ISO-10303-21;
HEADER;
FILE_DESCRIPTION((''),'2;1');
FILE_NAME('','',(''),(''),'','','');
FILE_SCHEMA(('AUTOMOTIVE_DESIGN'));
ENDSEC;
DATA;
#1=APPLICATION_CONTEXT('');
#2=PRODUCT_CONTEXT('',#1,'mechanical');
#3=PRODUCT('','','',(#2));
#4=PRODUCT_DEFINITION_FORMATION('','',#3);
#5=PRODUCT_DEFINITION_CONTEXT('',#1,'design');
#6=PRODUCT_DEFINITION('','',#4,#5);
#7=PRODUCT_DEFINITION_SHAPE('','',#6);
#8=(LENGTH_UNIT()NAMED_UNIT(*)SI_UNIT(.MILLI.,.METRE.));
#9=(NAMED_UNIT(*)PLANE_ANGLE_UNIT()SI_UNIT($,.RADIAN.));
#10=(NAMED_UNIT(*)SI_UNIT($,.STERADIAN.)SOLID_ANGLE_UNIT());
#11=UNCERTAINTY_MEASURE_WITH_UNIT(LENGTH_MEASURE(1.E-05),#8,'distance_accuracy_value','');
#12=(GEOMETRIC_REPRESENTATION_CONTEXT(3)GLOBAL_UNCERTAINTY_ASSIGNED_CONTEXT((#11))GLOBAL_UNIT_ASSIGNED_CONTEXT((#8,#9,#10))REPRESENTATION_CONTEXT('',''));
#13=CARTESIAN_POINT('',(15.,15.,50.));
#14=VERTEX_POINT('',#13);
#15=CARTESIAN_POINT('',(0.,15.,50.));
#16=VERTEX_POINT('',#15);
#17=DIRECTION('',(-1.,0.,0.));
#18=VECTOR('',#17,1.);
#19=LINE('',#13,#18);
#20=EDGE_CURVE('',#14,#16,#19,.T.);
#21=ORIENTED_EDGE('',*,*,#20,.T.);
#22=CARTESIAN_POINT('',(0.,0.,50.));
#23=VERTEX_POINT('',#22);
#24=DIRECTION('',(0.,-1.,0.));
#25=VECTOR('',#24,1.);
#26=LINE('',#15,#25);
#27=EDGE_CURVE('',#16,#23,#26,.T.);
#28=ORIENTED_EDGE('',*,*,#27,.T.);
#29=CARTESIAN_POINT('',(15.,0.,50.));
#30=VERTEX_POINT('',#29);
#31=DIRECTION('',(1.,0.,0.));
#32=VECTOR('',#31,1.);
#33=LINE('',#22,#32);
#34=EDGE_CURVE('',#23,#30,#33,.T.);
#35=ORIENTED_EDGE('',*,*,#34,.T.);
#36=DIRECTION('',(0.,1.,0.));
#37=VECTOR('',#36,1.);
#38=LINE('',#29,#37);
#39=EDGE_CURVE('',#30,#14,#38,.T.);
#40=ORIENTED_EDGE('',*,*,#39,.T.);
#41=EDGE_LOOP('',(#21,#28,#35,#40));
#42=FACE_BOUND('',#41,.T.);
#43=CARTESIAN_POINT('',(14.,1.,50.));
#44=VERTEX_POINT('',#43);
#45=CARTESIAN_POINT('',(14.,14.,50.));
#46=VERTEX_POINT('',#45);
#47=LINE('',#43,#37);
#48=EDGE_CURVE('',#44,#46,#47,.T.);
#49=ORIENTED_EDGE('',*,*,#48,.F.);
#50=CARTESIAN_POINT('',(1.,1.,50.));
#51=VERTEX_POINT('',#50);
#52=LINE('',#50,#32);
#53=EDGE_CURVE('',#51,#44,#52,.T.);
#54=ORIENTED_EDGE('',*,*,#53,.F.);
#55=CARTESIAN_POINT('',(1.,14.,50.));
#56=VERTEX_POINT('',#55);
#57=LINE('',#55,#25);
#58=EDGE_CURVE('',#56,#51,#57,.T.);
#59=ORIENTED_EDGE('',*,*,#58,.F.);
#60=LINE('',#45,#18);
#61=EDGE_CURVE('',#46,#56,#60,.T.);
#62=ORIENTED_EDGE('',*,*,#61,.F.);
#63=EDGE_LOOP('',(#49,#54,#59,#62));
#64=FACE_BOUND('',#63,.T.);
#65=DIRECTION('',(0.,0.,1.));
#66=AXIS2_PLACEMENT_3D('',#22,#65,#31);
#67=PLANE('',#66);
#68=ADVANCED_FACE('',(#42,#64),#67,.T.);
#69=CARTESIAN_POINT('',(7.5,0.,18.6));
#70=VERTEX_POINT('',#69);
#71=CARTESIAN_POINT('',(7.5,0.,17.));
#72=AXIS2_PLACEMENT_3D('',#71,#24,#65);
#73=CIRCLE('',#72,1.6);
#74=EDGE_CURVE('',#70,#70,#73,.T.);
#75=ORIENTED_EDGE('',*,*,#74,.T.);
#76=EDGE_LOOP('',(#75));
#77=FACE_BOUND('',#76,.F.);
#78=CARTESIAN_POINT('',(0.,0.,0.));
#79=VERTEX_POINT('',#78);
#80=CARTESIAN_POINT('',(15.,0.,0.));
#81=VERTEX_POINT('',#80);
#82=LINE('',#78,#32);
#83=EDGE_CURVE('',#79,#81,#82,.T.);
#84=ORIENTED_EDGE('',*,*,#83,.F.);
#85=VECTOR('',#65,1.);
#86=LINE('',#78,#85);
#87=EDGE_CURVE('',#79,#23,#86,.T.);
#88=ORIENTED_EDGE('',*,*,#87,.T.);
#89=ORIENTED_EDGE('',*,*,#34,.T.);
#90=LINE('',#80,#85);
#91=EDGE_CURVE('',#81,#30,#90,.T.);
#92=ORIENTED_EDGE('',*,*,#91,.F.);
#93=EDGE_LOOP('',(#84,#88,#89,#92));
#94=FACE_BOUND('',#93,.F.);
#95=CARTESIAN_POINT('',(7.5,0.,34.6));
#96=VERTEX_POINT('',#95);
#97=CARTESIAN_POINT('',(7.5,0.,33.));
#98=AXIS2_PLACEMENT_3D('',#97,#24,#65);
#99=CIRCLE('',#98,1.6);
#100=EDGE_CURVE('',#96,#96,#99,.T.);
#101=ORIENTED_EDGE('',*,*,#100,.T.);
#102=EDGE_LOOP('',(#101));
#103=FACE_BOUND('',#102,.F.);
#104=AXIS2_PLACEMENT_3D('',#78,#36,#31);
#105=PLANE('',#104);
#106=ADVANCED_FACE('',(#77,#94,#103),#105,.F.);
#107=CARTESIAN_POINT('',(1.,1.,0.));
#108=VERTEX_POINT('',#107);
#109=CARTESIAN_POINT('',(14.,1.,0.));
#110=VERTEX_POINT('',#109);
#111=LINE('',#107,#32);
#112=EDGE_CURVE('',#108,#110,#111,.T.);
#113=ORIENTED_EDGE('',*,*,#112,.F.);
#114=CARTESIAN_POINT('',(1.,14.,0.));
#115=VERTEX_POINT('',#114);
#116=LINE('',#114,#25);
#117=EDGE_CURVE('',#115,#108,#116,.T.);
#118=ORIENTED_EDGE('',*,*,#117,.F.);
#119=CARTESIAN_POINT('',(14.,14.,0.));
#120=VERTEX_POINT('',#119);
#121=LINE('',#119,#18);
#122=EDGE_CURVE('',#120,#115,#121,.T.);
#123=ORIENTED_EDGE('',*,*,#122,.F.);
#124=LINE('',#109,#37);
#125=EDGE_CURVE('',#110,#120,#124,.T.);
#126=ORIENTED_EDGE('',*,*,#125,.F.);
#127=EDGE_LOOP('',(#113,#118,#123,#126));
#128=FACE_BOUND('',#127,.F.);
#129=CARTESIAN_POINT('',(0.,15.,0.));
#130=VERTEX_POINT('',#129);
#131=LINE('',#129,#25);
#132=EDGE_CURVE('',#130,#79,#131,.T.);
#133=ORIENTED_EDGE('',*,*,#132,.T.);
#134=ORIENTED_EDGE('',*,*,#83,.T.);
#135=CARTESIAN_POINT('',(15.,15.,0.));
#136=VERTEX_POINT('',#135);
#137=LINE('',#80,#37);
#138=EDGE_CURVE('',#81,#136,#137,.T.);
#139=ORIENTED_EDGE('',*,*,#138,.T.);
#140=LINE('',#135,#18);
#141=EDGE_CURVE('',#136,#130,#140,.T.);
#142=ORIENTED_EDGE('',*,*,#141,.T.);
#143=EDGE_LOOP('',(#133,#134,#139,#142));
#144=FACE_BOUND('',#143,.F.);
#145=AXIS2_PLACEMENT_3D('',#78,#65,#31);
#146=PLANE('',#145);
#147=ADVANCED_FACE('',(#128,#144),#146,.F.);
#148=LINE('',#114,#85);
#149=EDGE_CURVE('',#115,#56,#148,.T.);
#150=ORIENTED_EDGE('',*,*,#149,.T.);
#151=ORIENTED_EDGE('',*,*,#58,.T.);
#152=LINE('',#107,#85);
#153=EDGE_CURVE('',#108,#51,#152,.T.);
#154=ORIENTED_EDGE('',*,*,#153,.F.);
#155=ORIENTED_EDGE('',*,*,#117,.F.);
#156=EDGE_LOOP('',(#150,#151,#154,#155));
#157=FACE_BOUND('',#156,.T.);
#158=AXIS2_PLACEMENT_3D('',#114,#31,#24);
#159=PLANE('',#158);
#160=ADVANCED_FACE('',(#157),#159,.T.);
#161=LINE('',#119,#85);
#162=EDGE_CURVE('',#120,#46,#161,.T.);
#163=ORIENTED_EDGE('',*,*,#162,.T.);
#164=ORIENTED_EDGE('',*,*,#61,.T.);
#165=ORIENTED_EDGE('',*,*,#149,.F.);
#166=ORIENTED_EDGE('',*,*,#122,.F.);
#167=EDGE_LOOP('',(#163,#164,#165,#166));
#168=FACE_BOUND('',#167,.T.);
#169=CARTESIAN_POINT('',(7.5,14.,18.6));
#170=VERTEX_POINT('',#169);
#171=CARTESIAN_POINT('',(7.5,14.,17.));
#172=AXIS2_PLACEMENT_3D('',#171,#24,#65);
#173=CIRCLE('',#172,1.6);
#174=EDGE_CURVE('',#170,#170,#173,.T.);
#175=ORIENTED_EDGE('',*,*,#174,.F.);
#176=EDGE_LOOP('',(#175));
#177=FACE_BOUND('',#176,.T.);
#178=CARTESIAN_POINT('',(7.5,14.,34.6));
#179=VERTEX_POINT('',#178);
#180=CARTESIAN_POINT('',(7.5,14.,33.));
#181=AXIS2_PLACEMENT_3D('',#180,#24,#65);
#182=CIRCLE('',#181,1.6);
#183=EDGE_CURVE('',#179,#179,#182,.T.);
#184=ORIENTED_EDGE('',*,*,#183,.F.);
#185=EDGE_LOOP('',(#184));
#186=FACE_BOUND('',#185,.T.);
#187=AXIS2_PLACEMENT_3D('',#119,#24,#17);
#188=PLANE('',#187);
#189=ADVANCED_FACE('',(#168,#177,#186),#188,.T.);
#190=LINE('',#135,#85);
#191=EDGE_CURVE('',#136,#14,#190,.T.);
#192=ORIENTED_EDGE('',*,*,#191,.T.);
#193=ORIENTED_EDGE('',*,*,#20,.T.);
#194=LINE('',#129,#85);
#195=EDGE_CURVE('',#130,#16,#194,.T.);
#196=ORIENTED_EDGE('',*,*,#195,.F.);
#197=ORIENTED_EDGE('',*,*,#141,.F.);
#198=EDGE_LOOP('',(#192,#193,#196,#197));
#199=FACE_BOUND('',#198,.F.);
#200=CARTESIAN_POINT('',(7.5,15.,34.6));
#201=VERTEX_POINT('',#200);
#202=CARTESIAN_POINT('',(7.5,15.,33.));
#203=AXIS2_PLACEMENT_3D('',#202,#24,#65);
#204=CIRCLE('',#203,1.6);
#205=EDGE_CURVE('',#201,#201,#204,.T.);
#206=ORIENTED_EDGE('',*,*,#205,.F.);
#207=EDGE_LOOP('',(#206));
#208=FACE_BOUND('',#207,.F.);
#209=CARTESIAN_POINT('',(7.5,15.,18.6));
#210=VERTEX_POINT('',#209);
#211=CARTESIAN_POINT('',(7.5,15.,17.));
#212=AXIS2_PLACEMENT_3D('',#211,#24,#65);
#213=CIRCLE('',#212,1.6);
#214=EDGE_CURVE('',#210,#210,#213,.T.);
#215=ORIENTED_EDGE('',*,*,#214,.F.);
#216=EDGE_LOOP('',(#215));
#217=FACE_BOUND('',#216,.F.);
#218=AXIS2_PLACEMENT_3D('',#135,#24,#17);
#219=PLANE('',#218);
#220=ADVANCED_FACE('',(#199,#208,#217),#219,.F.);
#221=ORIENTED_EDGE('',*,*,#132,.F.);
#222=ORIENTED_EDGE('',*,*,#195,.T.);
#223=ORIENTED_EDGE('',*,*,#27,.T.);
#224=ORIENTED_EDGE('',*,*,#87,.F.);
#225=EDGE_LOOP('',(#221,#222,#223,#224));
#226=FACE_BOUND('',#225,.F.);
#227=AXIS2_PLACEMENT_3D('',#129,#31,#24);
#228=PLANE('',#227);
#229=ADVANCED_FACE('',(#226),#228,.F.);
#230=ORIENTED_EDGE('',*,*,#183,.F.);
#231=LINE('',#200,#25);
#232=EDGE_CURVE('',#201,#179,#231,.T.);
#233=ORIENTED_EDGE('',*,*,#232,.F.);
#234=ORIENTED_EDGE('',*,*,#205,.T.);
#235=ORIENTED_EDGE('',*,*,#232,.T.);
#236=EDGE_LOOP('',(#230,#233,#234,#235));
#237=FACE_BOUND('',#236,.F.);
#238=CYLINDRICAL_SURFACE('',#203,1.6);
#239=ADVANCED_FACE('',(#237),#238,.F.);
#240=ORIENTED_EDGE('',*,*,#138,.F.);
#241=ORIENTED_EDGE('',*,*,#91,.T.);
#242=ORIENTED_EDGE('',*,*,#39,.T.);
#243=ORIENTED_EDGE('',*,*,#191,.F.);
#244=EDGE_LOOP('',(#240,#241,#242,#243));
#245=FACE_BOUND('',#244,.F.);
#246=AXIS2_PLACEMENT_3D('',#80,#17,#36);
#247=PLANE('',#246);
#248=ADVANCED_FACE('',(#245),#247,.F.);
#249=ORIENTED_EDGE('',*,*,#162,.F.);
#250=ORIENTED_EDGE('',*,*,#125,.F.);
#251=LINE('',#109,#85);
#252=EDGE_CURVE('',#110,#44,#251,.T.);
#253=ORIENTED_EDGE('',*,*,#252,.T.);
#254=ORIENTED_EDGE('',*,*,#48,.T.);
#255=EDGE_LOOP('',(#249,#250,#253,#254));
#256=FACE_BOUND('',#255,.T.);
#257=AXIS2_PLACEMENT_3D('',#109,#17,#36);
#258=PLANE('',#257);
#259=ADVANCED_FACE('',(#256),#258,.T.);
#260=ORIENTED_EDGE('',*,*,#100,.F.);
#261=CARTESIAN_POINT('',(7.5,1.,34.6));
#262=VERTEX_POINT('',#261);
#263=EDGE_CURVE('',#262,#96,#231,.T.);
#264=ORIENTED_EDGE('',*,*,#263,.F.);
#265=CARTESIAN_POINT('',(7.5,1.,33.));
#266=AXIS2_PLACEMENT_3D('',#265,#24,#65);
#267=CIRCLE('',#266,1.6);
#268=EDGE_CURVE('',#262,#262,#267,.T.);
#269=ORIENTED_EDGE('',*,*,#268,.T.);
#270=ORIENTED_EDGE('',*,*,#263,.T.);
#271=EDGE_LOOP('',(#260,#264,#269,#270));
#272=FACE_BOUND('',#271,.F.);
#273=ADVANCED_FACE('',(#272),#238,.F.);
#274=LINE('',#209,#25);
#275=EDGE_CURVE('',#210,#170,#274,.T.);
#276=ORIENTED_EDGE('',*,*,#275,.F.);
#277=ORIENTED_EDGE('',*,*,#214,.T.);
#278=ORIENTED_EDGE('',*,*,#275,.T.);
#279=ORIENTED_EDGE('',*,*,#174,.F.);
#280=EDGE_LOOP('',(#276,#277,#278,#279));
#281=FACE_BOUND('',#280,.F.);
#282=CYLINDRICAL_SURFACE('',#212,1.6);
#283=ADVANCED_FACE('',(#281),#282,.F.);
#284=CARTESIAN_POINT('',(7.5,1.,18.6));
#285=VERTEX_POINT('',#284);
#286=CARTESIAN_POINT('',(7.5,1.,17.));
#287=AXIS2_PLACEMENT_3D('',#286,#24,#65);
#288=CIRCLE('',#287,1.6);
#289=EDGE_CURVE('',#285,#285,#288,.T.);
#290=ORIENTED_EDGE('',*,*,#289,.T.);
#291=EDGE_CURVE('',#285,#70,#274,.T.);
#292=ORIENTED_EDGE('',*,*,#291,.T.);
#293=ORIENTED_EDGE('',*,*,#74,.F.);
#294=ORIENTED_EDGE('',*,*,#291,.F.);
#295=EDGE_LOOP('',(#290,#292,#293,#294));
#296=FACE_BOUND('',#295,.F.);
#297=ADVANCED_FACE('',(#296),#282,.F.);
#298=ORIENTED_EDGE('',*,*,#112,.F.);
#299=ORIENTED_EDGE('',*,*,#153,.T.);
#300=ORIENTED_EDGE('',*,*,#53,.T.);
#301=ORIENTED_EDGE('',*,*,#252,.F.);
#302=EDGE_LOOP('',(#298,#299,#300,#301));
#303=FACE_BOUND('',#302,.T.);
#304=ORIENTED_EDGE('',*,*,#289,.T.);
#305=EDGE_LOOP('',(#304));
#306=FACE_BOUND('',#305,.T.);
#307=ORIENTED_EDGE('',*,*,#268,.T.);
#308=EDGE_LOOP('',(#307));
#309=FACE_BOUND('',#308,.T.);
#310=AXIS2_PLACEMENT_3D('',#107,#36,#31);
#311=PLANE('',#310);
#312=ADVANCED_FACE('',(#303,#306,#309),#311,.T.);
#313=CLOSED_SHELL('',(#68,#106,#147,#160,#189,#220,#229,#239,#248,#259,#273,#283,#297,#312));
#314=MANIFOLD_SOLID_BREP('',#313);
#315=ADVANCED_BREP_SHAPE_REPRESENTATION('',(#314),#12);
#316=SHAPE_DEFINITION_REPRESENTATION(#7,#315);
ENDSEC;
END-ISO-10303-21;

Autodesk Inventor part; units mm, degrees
ref_plane "YZ Plane" through (0, 0, 0) normal (1, 0, 0) x (0, 1, 0)
ref_plane "XZ Plane" through (0, 0, 0) normal (0, 1, 0) x (-1, 0, 0)
ref_plane "XY Plane" through (0, 0, 0) normal (0, 0, 1) x (1, 0, 0)
sketch "スケッチ1" plane through (0, 0, 0) normal (0, 0, 1) x (1, 0, 0)
  line L0 (0, 0) -> (15, 0)
  line L1 (15, 0) -> (15, 15)
  line L2 (15, 15) -> (0, 15)
  line L3 (0, 15) -> (0, 0)
  line L4 (1, 1) -> (14, 1)
  line L5 (14, 1) -> (14, 14)
  line L6 (14, 14) -> (1, 14)
  line L7 (1, 14) -> (1, 1)
  dimension "d0" = 15
  dimension "d1" = 15
  dimension "d2" = 13
  dimension "d3" = 13
  dimension "d4" = 1
  dimension "d5" = 1
extrude "押し出し1" add sketch "スケッチ1" along normal blind 50
sketch "スケッチ2" plane through (15, 0, 0) normal (1, 0, 0) x (0, 0, -1)
  point P0 (0, 0)
sketch "スケッチ3" plane through (0, 15, 0) normal (0, 1, 0) x (1, 0, 0)
  circle A0 centre (7.5, -17) radius 1.6
  line L0 (15, 0) -> (0, 0) projected
  line L1 (0, 0) -> (0, -50) projected
  circle A1 centre (7.5, -33) radius 1.6
  line L2 (15, -50) -> (0, -50) projected
  dimension "d8" = 3.2
  dimension "d9" = 17
  dimension "d10" = 7.5
  dimension "d11" = 3.2
  dimension "d12" = 16
  dimension "d13" = 17
hole "穴1" at (7.5, 15, 33) at (7.5, 15, 17) direction (0, -1, 0) diameter 3.2 depth 15
equation "\"BendRadius\" = Thickness"
equation "\"BendReliefWidth\" = Thickness"
equation "\"BendReliefDepth\" = 0.5 * Thickness"
equation "\"CornerReliefSize\" = 4 * Thickness"
equation "\"MinimumRemnant\" = 2 * Thickness"
equation "\"TransitionRadius\" = BendRadius"
equation "\"JacobiRadiusSize\" = BendRadius"
equation "\"GapSize\" = Thickness"
equation "\"Thickness\" = 0.5"
properties part number "nhk32"
